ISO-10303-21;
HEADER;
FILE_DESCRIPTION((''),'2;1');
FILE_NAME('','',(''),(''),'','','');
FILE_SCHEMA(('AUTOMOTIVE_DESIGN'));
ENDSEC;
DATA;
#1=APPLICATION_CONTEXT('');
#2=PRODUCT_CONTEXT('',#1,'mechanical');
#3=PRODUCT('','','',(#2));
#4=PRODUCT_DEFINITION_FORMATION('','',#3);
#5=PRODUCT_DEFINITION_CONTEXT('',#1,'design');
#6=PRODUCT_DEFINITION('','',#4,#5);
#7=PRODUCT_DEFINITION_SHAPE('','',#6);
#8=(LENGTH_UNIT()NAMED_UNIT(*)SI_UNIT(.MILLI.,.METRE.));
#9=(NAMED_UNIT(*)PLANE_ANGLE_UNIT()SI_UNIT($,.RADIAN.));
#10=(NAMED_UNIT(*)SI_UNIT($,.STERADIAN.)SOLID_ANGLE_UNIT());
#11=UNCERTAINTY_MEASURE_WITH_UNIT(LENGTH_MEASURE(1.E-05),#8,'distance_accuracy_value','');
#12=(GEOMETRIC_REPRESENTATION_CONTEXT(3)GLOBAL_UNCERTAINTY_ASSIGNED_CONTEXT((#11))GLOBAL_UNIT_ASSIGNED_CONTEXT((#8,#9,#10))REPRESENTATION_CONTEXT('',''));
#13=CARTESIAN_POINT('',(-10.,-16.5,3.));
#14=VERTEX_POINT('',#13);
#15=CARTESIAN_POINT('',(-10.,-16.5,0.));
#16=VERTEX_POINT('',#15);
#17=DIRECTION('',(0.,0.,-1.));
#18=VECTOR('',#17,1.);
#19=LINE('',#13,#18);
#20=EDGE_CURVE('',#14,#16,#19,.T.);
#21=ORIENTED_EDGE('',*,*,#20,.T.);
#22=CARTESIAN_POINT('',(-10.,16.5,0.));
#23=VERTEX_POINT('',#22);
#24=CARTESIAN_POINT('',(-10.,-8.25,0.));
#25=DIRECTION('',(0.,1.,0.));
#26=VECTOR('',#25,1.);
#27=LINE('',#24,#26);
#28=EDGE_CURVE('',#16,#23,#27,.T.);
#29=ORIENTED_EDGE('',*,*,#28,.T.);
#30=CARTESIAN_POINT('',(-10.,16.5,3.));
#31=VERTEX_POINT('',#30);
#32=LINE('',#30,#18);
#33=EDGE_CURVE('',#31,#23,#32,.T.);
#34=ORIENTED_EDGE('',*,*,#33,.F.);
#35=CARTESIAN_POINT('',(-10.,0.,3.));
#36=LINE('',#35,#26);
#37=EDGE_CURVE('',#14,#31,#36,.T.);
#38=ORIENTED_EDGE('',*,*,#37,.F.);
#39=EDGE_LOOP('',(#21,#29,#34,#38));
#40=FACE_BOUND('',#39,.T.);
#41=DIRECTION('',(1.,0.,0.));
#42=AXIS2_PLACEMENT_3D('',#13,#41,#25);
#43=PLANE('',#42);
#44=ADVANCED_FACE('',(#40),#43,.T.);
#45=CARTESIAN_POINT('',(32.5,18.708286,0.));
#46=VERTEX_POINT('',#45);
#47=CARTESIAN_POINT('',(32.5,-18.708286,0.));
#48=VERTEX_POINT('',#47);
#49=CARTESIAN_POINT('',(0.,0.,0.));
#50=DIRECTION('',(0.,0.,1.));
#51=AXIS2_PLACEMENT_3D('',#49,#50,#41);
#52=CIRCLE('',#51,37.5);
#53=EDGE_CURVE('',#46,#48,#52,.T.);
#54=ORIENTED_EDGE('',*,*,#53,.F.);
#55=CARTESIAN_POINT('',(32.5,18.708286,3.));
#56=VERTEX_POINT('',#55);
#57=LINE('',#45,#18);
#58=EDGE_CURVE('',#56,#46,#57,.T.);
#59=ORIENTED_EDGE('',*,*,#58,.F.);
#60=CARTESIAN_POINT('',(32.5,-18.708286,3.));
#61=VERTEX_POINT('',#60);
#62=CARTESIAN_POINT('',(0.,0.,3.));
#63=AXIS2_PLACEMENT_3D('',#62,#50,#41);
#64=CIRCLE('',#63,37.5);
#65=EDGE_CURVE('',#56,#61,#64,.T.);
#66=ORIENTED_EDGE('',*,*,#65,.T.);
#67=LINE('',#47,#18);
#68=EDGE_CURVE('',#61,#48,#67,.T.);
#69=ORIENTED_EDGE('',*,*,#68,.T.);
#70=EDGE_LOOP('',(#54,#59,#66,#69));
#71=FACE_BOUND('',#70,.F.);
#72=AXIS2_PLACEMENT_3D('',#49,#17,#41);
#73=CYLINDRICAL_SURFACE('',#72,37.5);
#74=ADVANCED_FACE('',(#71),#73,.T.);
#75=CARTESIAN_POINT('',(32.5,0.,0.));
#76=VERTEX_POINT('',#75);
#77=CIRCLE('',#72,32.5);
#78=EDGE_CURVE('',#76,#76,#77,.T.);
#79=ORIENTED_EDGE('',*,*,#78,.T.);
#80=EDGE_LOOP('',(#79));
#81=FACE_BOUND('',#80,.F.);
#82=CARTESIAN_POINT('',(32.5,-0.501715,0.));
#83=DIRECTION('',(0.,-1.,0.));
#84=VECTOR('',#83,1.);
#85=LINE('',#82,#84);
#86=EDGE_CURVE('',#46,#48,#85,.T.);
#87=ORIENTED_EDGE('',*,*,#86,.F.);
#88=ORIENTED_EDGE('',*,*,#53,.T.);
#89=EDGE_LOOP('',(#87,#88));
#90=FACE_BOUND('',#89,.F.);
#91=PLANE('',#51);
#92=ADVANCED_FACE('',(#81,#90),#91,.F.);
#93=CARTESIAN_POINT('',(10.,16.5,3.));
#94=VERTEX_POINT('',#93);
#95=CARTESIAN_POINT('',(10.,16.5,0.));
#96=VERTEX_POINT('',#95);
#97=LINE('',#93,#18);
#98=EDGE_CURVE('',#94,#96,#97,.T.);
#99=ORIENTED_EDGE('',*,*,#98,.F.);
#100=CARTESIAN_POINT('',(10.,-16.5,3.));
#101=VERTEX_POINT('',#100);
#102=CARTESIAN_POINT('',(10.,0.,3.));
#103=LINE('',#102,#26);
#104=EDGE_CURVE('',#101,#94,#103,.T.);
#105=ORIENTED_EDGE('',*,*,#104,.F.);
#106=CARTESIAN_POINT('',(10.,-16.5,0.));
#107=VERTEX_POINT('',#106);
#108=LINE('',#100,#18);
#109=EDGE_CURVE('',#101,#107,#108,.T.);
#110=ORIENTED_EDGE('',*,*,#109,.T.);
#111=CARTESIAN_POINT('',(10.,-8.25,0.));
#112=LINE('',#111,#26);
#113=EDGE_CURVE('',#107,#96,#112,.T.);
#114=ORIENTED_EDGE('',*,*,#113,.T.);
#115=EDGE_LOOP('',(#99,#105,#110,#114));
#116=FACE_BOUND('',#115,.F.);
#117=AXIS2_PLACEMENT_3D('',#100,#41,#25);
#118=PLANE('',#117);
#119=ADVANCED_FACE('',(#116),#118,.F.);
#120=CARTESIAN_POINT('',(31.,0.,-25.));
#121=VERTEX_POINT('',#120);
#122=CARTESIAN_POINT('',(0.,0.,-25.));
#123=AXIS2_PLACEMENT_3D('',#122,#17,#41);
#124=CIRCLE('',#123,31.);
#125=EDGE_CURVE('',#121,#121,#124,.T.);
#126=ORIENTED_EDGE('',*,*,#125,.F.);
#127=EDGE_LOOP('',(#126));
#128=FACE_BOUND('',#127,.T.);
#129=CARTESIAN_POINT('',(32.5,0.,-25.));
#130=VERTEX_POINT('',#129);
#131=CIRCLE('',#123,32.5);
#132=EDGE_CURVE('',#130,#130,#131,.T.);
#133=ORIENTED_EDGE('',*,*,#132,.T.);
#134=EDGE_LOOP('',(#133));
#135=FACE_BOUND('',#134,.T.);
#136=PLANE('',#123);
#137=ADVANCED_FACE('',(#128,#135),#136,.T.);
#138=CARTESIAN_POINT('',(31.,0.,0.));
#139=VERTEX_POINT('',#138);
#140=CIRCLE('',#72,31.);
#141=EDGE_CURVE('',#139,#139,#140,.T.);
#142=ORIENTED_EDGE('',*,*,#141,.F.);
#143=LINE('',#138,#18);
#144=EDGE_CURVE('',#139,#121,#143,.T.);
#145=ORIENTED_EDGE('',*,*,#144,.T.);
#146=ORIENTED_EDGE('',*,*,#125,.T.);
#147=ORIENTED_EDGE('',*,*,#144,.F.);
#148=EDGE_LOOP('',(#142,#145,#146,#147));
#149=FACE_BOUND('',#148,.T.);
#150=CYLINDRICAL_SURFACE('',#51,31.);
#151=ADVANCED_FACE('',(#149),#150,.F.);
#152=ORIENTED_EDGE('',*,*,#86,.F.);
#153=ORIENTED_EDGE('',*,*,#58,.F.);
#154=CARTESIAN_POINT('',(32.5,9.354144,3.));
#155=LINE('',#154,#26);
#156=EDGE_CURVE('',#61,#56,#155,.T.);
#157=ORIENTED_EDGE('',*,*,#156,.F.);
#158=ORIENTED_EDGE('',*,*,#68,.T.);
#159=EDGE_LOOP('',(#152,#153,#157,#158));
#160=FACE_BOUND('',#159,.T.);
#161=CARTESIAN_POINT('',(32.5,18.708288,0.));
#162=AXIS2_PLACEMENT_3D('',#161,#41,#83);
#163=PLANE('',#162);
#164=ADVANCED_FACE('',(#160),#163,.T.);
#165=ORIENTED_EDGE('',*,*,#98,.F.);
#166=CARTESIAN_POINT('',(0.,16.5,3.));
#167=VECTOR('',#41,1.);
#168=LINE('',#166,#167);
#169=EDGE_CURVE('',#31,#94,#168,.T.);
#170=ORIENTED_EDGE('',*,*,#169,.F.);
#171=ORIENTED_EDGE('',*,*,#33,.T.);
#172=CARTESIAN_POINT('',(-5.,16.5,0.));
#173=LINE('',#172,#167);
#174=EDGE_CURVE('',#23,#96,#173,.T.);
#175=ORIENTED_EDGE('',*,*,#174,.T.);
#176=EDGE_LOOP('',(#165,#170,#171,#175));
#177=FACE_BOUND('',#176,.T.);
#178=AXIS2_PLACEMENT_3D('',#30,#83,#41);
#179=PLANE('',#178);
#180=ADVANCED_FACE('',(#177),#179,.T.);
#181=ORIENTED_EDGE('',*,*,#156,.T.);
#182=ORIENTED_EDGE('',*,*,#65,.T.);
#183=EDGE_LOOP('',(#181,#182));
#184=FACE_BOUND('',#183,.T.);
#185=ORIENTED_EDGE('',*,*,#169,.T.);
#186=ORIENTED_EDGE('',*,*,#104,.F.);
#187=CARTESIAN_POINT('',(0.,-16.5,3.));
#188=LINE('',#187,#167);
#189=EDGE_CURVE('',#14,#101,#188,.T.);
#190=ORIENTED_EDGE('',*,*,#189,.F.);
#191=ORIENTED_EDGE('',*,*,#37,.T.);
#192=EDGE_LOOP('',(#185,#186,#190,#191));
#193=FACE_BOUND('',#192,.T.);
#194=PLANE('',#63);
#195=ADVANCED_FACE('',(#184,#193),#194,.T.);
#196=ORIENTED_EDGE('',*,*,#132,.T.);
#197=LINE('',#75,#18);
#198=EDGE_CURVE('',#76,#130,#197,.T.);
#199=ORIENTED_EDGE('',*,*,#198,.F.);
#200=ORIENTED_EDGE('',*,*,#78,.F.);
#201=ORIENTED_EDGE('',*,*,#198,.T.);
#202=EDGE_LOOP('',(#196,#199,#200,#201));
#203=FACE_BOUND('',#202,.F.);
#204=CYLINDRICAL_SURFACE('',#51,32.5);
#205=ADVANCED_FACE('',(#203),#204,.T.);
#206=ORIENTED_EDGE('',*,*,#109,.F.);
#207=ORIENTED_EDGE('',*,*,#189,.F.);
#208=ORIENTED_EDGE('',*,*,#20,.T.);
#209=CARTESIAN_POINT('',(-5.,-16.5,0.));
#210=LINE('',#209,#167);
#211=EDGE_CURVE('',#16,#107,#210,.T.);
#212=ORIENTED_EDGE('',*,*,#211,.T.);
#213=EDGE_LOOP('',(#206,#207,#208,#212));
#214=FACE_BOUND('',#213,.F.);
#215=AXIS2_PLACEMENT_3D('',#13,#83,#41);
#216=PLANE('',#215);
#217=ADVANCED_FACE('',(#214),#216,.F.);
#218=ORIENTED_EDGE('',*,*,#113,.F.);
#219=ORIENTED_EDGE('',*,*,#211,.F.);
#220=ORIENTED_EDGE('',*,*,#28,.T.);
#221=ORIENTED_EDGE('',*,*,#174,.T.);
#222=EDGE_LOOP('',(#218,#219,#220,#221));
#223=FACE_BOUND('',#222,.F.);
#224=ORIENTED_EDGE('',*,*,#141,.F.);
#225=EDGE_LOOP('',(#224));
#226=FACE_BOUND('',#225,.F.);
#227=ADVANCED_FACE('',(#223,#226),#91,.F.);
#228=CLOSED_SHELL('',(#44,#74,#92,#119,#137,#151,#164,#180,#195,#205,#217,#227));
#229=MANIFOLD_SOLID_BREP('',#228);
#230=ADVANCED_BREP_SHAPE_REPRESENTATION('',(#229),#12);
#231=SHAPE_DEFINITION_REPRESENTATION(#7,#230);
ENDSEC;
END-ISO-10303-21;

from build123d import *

# Parameters (mm, degrees)
F0_R     = 37.5
F1_DEPTH = 3
F2_R     = 32.5
F2_R_2   = 31
F3_DEPTH = 25
F4_W     = 20
F4_H     = 33
F5_DEPTH = 25
F6_W     = 8.066451
F6_H     = 38.420005
F7_DEPTH = 25


with BuildPart() as f1:
    # F0 (on Top) → F1 (new body)
    with BuildSketch(Plane.XY):
        Circle(F0_R)
    extrude(amount=F1_DEPTH)

    # F2 (on face) → F3 (join)
    with BuildSketch(Plane(origin=(0, 0, 0), x_dir=(1, 0, 0), z_dir=(0, 0, -1))):
        Circle(F2_R)
        Circle(F2_R_2, mode=Mode.SUBTRACT)
    extrude(amount=F3_DEPTH)

    # F4 (on face) → F5 (cut)
    with BuildSketch(Plane.XY.offset(3)):
        Rectangle(F4_W, F4_H)
    extrude(amount=-F5_DEPTH, mode=Mode.SUBTRACT)

    # F6 (on face) → F7 (cut)
    with BuildSketch(Plane(origin=(0, 0, 0), x_dir=(1, 0, 0), z_dir=(0, 0, -1))):
        with Locations((36.533226, 0.501715)):
            Rectangle(F6_W, F6_H)
    extrude(amount=-F7_DEPTH, mode=Mode.SUBTRACT)


solid = f1.part
